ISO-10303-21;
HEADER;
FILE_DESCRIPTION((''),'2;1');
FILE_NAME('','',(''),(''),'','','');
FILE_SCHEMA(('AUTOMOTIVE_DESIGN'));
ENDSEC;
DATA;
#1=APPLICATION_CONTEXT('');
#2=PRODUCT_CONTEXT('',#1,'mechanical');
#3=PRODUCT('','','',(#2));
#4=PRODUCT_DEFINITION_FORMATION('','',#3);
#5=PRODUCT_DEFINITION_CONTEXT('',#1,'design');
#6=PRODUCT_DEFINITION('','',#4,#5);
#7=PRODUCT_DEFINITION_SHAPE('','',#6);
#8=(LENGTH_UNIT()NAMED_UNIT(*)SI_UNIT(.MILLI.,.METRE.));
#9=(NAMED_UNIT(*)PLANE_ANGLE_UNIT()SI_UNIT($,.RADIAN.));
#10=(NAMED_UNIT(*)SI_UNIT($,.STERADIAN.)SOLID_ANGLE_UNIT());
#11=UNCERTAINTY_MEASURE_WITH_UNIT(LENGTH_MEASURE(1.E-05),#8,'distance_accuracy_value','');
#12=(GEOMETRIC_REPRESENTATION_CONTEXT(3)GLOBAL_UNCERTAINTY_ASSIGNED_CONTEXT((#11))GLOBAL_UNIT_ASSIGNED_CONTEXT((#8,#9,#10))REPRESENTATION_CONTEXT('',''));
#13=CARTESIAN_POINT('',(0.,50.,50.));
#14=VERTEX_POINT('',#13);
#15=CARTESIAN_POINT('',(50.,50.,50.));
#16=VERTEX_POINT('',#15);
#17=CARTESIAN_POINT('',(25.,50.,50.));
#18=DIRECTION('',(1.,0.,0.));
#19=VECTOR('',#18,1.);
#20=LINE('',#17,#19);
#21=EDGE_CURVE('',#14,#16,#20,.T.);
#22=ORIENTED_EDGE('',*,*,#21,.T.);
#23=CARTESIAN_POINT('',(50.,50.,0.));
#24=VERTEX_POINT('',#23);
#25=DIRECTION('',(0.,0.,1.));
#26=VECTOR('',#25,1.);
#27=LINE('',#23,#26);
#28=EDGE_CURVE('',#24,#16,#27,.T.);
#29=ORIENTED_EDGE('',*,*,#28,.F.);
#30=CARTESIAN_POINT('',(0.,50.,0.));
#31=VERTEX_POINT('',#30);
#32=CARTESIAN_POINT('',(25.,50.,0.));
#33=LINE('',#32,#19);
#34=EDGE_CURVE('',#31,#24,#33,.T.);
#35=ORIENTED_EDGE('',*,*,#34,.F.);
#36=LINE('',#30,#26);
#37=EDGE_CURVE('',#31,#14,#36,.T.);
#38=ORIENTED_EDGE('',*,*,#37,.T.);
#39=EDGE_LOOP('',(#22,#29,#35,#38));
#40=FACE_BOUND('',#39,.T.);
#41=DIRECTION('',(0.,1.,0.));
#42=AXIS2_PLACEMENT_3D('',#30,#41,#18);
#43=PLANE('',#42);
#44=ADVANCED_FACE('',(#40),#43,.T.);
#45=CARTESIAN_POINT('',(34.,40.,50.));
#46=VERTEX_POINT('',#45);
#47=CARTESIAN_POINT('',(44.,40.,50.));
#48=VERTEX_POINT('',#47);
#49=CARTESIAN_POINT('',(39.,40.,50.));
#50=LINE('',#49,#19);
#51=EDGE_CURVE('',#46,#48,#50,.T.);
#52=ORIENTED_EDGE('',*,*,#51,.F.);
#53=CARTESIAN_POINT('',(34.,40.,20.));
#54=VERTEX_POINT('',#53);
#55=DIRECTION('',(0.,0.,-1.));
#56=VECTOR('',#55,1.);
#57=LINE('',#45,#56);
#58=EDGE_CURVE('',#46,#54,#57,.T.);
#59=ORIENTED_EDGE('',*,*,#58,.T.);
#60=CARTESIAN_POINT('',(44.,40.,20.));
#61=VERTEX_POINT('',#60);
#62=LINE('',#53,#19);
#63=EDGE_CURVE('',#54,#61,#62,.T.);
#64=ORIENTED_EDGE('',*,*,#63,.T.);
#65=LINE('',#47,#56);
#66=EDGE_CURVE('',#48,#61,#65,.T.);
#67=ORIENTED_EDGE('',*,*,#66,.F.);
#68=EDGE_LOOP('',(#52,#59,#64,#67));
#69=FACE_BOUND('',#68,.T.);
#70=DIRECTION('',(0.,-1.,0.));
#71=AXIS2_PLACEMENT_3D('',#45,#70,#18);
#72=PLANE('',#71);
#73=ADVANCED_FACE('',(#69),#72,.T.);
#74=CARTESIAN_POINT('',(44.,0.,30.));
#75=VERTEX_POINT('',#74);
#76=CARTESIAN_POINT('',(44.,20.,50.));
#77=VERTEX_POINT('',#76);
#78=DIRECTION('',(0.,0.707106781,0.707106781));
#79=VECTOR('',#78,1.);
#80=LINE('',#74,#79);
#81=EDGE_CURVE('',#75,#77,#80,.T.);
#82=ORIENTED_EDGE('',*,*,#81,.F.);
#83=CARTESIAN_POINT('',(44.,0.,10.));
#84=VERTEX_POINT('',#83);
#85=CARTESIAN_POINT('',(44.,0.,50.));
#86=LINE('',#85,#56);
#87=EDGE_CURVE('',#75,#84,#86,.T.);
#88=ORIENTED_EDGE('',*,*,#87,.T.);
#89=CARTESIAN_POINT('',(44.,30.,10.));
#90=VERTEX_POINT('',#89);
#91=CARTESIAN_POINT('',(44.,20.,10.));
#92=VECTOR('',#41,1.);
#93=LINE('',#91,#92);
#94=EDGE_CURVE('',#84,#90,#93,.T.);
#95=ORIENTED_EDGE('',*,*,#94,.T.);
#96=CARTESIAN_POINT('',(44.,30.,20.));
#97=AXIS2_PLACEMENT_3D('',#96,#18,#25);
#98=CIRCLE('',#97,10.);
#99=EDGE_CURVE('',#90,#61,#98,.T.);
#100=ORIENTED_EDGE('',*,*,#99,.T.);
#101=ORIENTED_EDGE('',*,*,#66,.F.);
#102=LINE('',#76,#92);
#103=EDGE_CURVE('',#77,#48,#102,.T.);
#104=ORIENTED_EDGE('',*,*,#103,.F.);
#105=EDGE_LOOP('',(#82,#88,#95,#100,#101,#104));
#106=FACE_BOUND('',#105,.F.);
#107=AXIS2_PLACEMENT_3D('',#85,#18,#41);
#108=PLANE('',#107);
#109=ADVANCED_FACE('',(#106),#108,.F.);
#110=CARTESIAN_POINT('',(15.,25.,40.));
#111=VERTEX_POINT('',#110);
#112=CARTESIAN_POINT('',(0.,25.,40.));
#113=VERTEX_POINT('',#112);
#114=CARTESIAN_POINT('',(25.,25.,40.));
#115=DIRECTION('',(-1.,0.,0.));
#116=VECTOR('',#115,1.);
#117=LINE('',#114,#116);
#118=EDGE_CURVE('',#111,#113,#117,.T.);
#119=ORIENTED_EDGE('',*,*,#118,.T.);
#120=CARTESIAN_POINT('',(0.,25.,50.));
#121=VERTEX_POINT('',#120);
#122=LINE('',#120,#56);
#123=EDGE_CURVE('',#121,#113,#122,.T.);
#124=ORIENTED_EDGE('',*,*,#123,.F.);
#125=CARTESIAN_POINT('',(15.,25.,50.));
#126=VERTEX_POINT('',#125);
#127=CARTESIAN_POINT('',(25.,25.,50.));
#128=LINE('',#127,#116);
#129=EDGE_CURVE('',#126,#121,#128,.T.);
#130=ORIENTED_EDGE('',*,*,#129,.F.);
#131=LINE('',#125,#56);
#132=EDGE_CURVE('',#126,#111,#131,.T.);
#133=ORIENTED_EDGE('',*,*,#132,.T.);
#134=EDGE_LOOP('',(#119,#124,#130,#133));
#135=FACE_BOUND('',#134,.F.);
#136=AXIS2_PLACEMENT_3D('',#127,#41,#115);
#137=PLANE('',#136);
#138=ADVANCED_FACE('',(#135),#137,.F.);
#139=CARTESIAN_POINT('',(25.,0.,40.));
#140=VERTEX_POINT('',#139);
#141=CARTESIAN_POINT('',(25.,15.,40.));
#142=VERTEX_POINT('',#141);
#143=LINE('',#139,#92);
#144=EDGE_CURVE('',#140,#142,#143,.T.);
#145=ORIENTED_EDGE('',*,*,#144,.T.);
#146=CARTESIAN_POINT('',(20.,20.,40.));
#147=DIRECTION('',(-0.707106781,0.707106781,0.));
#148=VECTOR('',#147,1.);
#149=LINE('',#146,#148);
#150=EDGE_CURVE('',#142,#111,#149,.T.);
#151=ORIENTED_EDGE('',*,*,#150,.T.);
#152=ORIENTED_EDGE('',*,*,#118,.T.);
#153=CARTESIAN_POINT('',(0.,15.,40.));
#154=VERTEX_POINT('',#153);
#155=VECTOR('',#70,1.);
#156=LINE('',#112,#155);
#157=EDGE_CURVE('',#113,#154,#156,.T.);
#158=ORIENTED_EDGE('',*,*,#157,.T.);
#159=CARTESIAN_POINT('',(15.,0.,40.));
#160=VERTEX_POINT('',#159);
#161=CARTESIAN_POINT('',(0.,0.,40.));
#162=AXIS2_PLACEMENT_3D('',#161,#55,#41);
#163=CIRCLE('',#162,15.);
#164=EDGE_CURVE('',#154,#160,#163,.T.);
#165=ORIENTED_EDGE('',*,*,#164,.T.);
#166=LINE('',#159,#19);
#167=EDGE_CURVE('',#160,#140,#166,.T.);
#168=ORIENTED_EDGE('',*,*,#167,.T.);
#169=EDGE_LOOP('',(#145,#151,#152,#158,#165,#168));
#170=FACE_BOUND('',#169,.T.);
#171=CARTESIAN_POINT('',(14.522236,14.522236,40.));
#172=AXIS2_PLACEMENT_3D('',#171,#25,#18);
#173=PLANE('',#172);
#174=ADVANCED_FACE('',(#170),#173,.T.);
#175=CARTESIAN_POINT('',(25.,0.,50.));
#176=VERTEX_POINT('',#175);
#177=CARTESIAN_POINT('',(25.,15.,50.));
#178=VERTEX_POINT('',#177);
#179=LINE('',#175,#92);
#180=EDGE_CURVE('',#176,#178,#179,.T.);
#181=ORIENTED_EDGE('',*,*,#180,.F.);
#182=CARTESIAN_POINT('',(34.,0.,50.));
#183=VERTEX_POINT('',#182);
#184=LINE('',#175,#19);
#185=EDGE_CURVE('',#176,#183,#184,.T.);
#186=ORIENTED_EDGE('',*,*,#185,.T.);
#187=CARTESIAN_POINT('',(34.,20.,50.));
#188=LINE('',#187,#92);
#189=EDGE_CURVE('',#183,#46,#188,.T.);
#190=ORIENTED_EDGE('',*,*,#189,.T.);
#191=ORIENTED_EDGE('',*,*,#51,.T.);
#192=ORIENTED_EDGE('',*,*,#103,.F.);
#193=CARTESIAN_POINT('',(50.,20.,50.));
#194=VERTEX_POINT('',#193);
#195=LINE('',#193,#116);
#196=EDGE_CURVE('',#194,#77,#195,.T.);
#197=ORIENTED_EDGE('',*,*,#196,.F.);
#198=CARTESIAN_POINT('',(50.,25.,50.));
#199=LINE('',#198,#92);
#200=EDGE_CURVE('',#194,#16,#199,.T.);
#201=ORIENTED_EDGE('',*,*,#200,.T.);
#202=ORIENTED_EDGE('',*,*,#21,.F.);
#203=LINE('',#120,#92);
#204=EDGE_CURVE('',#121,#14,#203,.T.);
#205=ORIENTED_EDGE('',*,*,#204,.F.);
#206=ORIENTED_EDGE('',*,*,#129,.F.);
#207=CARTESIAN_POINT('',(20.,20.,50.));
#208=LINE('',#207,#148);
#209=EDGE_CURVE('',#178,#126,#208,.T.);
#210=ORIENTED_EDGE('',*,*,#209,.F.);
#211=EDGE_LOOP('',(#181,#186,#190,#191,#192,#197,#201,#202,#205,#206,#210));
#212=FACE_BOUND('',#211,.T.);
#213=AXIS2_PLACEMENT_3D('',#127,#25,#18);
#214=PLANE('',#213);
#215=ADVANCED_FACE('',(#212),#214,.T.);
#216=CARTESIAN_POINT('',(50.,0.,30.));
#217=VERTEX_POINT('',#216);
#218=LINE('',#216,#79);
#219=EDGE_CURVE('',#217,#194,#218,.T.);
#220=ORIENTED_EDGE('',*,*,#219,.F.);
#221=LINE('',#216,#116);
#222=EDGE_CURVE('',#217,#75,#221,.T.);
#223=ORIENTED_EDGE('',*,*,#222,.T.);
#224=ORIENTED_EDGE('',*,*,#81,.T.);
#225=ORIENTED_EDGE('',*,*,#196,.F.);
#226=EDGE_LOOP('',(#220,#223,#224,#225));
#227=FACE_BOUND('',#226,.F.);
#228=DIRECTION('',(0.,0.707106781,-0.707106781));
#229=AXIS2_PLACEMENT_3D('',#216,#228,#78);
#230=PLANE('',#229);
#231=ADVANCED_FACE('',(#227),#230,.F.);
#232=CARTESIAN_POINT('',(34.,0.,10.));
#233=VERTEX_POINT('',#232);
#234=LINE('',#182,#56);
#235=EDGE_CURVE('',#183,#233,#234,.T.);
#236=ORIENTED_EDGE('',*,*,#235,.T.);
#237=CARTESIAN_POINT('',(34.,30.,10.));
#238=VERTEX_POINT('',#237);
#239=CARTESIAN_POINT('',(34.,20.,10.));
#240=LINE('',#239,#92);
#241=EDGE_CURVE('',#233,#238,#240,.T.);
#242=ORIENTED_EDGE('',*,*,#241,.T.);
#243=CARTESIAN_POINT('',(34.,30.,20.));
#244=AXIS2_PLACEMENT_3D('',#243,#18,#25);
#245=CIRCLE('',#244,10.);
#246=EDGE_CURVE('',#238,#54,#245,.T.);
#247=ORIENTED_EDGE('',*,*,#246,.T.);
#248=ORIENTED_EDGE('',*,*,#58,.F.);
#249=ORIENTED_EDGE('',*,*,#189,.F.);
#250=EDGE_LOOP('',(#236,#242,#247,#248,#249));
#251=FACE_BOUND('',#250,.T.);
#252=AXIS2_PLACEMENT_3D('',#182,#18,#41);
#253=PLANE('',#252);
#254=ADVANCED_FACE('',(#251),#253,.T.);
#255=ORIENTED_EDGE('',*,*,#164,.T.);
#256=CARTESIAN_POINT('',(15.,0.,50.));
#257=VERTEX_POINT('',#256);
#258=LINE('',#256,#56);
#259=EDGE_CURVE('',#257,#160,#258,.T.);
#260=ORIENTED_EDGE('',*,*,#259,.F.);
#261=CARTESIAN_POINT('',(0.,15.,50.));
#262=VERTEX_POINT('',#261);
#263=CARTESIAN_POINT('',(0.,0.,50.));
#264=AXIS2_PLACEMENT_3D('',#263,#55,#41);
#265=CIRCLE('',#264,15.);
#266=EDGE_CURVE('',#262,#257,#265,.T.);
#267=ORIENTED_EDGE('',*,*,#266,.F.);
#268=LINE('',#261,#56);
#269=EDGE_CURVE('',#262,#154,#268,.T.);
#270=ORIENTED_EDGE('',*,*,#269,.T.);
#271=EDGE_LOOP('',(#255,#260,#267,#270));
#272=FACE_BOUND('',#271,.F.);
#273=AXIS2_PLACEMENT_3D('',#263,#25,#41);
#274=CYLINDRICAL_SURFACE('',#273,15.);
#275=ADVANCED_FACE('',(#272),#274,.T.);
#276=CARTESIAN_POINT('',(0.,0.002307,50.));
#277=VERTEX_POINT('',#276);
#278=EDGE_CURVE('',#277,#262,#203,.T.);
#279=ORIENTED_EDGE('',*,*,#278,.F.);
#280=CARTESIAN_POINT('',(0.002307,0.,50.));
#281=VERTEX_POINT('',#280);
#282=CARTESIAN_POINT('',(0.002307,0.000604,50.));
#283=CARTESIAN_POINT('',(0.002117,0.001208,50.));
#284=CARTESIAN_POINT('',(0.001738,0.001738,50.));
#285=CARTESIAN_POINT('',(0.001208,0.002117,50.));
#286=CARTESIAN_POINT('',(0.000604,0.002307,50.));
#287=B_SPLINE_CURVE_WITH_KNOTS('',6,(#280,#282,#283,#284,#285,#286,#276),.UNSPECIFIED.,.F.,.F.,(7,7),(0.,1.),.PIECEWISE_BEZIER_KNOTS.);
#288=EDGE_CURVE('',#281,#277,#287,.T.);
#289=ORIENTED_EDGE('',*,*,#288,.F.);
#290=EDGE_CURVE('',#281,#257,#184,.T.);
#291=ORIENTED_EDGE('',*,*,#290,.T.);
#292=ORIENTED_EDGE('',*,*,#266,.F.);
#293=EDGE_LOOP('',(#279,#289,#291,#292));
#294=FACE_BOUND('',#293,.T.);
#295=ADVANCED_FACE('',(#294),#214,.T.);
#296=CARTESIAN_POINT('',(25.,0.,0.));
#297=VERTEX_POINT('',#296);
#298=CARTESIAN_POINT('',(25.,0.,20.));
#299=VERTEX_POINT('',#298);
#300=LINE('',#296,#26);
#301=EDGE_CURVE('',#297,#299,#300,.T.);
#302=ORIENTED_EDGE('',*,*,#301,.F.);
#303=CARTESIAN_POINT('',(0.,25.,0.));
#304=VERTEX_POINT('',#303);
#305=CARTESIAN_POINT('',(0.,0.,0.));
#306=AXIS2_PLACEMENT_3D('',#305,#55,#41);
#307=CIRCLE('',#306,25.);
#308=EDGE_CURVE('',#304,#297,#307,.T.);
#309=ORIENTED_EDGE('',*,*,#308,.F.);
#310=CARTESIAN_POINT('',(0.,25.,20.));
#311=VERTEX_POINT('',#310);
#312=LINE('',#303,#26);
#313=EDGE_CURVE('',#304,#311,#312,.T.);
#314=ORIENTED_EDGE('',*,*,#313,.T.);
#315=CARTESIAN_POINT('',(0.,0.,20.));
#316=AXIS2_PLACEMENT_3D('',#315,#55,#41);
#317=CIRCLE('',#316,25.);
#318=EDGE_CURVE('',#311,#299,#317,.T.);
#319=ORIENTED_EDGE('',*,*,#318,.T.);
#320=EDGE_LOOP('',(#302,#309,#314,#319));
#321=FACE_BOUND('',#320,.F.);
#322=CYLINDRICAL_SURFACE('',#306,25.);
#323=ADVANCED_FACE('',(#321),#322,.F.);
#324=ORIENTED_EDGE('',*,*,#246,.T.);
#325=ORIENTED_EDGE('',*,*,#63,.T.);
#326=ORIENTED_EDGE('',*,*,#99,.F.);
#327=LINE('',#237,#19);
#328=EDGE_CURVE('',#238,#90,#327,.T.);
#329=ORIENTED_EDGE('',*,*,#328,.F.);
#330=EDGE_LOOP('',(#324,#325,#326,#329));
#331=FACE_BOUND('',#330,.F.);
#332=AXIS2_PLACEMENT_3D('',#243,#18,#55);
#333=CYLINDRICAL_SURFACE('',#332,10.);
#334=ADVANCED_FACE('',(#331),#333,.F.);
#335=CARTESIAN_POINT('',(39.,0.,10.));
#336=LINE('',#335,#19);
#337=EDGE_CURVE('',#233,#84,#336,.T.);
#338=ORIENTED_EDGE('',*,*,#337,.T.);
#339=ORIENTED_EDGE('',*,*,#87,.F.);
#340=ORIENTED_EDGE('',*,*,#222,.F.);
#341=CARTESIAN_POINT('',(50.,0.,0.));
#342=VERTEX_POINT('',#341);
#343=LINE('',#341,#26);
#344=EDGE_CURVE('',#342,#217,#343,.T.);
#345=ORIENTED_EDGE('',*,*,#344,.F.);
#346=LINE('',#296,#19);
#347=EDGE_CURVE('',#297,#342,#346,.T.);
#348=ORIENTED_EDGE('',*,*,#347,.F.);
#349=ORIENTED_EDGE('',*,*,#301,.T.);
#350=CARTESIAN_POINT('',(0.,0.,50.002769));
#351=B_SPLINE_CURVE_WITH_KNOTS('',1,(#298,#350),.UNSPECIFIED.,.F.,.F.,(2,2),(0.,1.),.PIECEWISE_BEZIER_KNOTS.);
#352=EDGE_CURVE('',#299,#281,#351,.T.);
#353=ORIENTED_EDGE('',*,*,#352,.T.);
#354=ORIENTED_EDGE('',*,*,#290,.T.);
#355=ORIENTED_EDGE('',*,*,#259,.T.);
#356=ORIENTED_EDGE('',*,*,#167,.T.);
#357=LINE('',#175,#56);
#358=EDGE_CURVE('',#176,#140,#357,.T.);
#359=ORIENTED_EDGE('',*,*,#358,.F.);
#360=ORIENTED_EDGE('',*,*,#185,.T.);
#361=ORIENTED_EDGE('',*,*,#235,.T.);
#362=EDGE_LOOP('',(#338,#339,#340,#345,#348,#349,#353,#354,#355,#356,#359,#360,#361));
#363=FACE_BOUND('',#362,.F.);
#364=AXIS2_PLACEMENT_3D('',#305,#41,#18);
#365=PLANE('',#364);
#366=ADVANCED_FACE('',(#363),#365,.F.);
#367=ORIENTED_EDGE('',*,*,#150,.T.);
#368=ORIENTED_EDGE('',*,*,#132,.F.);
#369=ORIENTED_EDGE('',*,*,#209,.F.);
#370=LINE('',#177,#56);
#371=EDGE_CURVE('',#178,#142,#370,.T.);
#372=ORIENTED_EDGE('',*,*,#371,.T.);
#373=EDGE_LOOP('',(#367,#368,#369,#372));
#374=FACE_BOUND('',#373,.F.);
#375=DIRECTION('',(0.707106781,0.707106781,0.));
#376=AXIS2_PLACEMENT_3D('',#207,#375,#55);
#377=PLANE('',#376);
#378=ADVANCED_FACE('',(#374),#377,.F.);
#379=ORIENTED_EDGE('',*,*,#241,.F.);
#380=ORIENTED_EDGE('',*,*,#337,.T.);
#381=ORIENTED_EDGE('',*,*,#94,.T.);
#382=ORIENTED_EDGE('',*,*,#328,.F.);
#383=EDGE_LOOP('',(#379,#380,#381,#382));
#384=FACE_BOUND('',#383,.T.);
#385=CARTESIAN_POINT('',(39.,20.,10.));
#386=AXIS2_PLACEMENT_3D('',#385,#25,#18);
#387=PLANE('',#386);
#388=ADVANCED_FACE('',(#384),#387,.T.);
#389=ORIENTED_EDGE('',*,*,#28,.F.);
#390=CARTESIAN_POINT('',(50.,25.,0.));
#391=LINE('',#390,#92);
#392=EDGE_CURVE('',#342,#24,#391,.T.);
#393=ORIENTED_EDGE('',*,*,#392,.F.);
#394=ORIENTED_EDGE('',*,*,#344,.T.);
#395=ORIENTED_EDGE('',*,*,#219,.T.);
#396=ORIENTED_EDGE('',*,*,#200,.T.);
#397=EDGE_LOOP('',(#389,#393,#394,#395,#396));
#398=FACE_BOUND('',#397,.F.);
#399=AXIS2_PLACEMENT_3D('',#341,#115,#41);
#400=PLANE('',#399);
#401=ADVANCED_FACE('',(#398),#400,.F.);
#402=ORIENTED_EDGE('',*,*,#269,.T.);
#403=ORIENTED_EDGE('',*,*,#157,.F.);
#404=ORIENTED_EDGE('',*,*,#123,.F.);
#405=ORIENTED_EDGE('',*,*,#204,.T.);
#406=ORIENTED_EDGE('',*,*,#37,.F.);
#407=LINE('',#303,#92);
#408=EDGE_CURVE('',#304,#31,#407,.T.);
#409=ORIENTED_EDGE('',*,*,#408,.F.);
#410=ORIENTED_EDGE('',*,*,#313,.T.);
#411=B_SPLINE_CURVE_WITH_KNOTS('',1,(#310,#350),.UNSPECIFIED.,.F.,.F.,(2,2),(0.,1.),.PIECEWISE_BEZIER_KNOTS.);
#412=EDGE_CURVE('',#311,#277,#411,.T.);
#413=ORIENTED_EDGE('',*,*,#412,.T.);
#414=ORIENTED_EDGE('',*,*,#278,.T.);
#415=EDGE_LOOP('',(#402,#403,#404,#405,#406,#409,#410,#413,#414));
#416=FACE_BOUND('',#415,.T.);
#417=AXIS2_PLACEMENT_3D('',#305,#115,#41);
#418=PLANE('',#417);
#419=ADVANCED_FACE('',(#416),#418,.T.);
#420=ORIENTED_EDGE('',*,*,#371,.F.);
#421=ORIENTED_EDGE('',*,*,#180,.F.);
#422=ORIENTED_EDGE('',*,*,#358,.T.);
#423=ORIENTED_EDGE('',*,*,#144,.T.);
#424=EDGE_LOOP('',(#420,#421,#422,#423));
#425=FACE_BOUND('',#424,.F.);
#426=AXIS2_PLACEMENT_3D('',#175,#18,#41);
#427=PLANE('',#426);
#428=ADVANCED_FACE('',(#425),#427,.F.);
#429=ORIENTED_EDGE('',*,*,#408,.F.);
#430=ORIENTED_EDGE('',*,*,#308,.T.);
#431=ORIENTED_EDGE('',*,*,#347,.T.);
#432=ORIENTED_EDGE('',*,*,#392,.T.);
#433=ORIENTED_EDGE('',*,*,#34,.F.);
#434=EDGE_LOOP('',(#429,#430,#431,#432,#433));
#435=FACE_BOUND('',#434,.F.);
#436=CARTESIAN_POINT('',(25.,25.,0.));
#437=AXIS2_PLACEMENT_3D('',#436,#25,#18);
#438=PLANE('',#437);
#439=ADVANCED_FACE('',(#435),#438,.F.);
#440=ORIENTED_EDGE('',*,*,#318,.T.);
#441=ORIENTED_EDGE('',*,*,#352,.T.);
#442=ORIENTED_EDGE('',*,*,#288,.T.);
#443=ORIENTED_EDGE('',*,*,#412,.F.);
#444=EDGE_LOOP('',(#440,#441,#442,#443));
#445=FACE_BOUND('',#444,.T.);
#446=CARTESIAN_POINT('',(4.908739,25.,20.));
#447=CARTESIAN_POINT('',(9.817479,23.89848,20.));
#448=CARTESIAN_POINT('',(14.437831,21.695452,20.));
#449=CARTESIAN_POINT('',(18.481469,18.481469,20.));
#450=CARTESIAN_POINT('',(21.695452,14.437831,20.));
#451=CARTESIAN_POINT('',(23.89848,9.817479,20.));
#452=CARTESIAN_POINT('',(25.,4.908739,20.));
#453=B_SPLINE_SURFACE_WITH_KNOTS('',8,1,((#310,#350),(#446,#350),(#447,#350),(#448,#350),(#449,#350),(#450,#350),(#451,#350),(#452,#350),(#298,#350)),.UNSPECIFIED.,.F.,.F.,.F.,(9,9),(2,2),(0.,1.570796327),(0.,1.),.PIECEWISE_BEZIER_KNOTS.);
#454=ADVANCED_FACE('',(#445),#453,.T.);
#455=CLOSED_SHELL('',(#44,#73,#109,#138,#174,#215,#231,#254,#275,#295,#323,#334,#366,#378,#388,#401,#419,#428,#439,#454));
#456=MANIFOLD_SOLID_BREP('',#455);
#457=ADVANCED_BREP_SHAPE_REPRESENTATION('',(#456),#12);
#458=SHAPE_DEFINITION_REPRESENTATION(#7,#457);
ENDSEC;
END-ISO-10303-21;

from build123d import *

# Parameters (mm, degrees)
F0_W      = 50
F0_H      = 50
F1_DEPTH  = 50
F2_W      = 10
F2_H      = 40
F3_DEPTH  = 40
F6_R      = 10
F7_DEPTH  = 6
F9_DEPTH  = 20
F14_DEPTH = 10
F15_SIZE  = 10


with BuildPart() as f1:
    # F0 (on Top) → F1 (new body)
    with BuildSketch(Plane.XY):
        with Locations((25, 25)):
            Rectangle(F0_W, F0_H)
    extrude(amount=F1_DEPTH)

    # F2 (on face) → F3 (cut)
    with BuildSketch(Plane.XY.offset(50)):
        with Locations((39, 20)):
            Rectangle(F2_W, F2_H)
    extrude(amount=-F3_DEPTH, mode=Mode.SUBTRACT)

    # F6
    f6_edges = [f1.edges().sort_by_distance(p)[0] for p in [
        (39, 40, 10),
    ]]
    fillet(f6_edges, radius=F6_R)

    # F5 (on face) → F7 (cut)
    with BuildSketch(Plane.YZ.offset(50)):
        Polygon((0, 50), (0, 30), (20, 50), align=None)
    extrude(amount=-F7_DEPTH, mode=Mode.SUBTRACT)

    # F8 (on face) → F9 (cut)
    with BuildSketch(Plane(origin=(0, 0, 0), x_dir=(1, 0, 0), z_dir=(0, 0, -1))):
        with BuildLine():
            ThreePointArc((0, -25), (17.6776695297, -17.6776695297), (25, 0))
            Line((25, 0), (0, 0))
            Line((0, 0), (0, -25))
        make_face()
    extrude(amount=-F9_DEPTH, mode=Mode.SUBTRACT)

    # F9_face (on face) → F11 section 0
    with BuildSketch(Plane(origin=(10.6103295395, 10.6103295395, 20), x_dir=(1, 0, 0), z_dir=(0, 0, -1)), mode=Mode.PRIVATE) as f11_s0:
        with BuildLine():
            ThreePointArc((-10.6103295395, -14.3896704605), (7.0673399902, -7.0673399902), (14.3896704605, 10.6103295395))
            Line((14.3896704605, 10.6103295395), (-10.6103295395, 10.6103295395))
            Line((-10.6103295395, 10.6103295395), (-10.6103295395, -14.3896704605))
        make_face()
    loft([f11_s0.sketch, Vertex(0, 0, 50.0027686357)], mode=Mode.SUBTRACT)

    # F13 (on face) → F14 (cut)
    with BuildSketch(Plane.XY.offset(50)):
        with BuildLine():
            ThreePointArc((0, 15), (10.6066017178, 10.6066017178), (15, 0))
            Line((15, 0), (25, 0))
            Line((25, 0), (25, 25))
            Line((25, 25), (0, 25))
            Line((0, 25), (0, 15))
        make_face()
    extrude(amount=-F14_DEPTH, mode=Mode.SUBTRACT)

    # F15
    f15_edges = [f1.edges().sort_by_distance(p)[0] for p in [
        (25, 25, 45),
    ]]
    chamfer(f15_edges, length=F15_SIZE)


solid = f1.part
